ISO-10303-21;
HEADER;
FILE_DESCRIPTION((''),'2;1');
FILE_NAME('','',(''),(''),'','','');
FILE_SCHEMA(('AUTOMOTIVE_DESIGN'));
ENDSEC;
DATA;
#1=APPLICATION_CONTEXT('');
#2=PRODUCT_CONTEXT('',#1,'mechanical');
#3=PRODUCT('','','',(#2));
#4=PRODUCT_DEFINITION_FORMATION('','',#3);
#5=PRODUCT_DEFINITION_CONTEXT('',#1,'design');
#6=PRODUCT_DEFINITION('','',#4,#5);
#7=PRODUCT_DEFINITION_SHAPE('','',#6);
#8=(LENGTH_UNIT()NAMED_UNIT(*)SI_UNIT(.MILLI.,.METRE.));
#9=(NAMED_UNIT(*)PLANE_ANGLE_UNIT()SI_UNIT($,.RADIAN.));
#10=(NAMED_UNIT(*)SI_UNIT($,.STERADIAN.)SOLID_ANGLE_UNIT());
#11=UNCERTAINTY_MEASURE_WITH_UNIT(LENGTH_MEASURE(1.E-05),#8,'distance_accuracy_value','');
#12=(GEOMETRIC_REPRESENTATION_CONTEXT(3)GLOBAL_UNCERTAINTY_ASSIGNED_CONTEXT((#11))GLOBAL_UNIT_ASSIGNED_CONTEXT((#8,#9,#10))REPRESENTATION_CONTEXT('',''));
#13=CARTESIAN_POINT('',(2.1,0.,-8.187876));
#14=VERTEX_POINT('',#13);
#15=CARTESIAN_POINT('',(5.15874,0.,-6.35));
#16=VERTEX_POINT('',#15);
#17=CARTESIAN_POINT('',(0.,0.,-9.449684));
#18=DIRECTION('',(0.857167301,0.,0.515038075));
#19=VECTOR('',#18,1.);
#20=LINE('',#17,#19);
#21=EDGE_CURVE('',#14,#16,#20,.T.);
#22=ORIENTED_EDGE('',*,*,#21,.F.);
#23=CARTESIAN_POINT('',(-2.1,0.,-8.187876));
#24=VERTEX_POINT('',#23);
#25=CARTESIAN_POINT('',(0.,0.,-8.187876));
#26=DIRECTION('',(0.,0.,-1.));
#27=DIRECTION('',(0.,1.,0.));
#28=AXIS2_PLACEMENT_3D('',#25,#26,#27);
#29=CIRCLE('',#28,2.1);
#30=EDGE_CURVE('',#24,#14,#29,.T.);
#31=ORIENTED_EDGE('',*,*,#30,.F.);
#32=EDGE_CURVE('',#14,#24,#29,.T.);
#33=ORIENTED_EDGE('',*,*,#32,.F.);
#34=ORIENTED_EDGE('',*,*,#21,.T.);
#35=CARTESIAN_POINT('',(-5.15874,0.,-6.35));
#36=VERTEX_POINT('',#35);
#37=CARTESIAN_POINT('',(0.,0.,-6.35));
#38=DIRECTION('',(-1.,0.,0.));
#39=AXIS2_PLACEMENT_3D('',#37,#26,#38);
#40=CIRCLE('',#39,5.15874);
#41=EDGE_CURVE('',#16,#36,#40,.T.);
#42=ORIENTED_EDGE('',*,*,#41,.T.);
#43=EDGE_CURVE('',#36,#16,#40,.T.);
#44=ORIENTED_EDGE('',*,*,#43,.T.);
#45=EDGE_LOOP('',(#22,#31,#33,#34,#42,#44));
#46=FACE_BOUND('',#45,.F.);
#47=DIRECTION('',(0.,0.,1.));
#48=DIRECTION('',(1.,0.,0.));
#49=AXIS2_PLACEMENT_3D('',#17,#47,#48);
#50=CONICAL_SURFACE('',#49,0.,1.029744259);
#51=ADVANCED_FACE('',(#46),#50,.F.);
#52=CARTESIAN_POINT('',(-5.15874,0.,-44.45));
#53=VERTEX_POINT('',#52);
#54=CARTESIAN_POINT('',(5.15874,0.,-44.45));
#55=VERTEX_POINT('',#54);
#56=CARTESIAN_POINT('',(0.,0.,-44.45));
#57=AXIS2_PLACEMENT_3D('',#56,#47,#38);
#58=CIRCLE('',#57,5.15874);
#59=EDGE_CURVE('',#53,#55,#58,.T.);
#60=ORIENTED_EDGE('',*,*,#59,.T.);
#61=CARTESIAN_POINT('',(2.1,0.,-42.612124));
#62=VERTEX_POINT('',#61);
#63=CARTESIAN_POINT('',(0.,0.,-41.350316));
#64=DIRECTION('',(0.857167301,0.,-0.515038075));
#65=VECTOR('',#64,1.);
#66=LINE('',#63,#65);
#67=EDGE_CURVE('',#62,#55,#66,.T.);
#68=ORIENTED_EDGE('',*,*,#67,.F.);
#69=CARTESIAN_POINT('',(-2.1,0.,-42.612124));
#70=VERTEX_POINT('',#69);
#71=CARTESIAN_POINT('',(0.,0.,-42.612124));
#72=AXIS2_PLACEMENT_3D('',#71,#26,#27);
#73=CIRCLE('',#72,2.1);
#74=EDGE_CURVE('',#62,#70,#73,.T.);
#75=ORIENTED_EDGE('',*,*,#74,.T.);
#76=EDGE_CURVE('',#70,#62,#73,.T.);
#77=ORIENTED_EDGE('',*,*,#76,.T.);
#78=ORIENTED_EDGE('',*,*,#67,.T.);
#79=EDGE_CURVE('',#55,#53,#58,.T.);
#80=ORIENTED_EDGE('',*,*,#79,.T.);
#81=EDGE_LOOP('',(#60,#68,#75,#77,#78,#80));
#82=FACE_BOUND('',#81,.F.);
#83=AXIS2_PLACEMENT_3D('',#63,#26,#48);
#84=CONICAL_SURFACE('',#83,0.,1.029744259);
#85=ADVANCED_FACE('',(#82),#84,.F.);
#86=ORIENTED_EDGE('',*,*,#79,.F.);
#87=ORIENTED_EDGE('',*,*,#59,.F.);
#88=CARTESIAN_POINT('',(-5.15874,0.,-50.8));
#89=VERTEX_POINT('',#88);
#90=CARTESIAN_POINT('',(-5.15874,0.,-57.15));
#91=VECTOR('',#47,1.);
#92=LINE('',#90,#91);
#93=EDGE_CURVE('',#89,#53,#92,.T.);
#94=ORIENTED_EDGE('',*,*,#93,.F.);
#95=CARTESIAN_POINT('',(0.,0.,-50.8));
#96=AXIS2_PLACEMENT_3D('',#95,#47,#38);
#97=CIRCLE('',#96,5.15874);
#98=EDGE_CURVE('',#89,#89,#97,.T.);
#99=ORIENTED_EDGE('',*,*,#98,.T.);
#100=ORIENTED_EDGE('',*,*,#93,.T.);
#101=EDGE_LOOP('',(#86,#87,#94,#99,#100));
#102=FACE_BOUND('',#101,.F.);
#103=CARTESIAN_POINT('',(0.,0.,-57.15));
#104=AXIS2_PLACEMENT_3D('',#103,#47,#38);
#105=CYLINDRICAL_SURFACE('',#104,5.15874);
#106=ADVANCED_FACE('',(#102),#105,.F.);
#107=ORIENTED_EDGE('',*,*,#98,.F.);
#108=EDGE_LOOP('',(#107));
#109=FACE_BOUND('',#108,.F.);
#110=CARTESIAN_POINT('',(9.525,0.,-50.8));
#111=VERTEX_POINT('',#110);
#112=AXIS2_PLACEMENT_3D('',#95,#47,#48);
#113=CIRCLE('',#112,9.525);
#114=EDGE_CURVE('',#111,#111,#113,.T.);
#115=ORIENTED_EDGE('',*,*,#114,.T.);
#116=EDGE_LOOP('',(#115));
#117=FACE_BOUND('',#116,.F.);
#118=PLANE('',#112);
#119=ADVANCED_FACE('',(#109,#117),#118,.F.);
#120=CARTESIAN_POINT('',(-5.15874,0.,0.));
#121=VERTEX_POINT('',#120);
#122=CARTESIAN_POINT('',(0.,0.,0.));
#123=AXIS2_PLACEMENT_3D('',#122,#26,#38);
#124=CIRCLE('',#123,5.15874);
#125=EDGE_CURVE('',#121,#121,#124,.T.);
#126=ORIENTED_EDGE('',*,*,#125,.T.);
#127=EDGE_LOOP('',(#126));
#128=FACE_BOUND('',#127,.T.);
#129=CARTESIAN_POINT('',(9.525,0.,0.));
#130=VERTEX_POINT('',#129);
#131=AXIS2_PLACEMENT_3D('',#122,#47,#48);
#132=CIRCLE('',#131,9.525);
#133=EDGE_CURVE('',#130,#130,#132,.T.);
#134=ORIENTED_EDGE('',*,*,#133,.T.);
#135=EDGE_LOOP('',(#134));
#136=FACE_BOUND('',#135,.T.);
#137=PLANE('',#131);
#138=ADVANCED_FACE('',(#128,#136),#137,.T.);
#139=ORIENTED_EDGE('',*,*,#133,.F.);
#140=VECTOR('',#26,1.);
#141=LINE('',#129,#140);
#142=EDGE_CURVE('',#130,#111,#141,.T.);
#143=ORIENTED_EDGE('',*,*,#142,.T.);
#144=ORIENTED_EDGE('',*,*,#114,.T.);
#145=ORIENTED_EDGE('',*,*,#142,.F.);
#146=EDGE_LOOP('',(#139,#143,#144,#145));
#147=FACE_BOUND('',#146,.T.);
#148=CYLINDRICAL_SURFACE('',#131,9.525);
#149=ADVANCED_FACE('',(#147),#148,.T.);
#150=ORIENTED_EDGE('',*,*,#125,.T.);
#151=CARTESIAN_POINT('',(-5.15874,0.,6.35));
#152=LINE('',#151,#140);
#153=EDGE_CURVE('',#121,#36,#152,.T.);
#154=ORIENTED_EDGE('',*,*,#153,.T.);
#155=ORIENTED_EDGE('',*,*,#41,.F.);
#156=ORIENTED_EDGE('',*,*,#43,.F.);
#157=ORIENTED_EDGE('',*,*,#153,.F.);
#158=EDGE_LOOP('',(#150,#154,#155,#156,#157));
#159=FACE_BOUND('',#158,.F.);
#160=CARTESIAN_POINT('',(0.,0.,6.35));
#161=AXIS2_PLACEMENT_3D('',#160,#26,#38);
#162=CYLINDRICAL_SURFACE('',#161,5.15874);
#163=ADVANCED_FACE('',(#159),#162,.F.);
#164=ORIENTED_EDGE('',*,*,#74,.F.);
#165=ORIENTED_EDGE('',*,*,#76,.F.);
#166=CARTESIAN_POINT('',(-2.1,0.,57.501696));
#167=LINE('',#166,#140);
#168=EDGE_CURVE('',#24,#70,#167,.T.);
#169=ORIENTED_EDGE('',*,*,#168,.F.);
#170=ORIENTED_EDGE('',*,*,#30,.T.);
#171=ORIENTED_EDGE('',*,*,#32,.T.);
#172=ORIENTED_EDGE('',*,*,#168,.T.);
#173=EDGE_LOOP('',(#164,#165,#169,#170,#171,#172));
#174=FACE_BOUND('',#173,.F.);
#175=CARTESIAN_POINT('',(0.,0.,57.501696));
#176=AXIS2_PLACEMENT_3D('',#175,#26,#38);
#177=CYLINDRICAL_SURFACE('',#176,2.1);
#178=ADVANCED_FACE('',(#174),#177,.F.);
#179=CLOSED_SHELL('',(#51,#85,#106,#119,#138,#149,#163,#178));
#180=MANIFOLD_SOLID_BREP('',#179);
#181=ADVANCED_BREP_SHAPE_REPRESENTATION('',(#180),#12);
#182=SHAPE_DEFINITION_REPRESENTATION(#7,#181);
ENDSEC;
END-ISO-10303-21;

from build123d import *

# Parameters (mm, degrees)
F1_R     = 9.525
F2_DEPTH = 50.8
F5_D     = 4.2
F6_D     = 10.31748
F6_DEPTH = 6.35
F6_TIP   = 3.0996837098
F8_D     = 10.31748
F8_DEPTH = 6.35
F8_TIP   = 3.0996837098


with BuildPart() as f2:
    # F1 (on Top) → F2 (new body, through all)
    with BuildSketch(Plane.XY):
        Circle(F1_R)
    extrude(amount=-F2_DEPTH)

    # F5 (through all)
    with Locations(Plane.XY):
        with Locations((0, 0)):
            Hole(F5_D / 2)

    # F6
    with Locations(Plane(origin=(0, 0, -50.8), x_dir=(1, 0, 0), z_dir=(0, 0, -1))):
        with Locations((0, 0)):
            Hole(F6_D / 2, depth=F6_DEPTH)
            with Locations((0, 0, -(F6_DEPTH + F6_TIP / 2))):  # 118° drill point
                Cone(0, F6_D / 2, F6_TIP, mode=Mode.SUBTRACT)

    # F8
    with Locations(Plane.XY):
        with Locations((0, 0)):
            Hole(F8_D / 2, depth=F8_DEPTH)
            with Locations((0, 0, -(F8_DEPTH + F8_TIP / 2))):  # 118° drill point
                Cone(0, F8_D / 2, F8_TIP, mode=Mode.SUBTRACT)


solid = f2.part
